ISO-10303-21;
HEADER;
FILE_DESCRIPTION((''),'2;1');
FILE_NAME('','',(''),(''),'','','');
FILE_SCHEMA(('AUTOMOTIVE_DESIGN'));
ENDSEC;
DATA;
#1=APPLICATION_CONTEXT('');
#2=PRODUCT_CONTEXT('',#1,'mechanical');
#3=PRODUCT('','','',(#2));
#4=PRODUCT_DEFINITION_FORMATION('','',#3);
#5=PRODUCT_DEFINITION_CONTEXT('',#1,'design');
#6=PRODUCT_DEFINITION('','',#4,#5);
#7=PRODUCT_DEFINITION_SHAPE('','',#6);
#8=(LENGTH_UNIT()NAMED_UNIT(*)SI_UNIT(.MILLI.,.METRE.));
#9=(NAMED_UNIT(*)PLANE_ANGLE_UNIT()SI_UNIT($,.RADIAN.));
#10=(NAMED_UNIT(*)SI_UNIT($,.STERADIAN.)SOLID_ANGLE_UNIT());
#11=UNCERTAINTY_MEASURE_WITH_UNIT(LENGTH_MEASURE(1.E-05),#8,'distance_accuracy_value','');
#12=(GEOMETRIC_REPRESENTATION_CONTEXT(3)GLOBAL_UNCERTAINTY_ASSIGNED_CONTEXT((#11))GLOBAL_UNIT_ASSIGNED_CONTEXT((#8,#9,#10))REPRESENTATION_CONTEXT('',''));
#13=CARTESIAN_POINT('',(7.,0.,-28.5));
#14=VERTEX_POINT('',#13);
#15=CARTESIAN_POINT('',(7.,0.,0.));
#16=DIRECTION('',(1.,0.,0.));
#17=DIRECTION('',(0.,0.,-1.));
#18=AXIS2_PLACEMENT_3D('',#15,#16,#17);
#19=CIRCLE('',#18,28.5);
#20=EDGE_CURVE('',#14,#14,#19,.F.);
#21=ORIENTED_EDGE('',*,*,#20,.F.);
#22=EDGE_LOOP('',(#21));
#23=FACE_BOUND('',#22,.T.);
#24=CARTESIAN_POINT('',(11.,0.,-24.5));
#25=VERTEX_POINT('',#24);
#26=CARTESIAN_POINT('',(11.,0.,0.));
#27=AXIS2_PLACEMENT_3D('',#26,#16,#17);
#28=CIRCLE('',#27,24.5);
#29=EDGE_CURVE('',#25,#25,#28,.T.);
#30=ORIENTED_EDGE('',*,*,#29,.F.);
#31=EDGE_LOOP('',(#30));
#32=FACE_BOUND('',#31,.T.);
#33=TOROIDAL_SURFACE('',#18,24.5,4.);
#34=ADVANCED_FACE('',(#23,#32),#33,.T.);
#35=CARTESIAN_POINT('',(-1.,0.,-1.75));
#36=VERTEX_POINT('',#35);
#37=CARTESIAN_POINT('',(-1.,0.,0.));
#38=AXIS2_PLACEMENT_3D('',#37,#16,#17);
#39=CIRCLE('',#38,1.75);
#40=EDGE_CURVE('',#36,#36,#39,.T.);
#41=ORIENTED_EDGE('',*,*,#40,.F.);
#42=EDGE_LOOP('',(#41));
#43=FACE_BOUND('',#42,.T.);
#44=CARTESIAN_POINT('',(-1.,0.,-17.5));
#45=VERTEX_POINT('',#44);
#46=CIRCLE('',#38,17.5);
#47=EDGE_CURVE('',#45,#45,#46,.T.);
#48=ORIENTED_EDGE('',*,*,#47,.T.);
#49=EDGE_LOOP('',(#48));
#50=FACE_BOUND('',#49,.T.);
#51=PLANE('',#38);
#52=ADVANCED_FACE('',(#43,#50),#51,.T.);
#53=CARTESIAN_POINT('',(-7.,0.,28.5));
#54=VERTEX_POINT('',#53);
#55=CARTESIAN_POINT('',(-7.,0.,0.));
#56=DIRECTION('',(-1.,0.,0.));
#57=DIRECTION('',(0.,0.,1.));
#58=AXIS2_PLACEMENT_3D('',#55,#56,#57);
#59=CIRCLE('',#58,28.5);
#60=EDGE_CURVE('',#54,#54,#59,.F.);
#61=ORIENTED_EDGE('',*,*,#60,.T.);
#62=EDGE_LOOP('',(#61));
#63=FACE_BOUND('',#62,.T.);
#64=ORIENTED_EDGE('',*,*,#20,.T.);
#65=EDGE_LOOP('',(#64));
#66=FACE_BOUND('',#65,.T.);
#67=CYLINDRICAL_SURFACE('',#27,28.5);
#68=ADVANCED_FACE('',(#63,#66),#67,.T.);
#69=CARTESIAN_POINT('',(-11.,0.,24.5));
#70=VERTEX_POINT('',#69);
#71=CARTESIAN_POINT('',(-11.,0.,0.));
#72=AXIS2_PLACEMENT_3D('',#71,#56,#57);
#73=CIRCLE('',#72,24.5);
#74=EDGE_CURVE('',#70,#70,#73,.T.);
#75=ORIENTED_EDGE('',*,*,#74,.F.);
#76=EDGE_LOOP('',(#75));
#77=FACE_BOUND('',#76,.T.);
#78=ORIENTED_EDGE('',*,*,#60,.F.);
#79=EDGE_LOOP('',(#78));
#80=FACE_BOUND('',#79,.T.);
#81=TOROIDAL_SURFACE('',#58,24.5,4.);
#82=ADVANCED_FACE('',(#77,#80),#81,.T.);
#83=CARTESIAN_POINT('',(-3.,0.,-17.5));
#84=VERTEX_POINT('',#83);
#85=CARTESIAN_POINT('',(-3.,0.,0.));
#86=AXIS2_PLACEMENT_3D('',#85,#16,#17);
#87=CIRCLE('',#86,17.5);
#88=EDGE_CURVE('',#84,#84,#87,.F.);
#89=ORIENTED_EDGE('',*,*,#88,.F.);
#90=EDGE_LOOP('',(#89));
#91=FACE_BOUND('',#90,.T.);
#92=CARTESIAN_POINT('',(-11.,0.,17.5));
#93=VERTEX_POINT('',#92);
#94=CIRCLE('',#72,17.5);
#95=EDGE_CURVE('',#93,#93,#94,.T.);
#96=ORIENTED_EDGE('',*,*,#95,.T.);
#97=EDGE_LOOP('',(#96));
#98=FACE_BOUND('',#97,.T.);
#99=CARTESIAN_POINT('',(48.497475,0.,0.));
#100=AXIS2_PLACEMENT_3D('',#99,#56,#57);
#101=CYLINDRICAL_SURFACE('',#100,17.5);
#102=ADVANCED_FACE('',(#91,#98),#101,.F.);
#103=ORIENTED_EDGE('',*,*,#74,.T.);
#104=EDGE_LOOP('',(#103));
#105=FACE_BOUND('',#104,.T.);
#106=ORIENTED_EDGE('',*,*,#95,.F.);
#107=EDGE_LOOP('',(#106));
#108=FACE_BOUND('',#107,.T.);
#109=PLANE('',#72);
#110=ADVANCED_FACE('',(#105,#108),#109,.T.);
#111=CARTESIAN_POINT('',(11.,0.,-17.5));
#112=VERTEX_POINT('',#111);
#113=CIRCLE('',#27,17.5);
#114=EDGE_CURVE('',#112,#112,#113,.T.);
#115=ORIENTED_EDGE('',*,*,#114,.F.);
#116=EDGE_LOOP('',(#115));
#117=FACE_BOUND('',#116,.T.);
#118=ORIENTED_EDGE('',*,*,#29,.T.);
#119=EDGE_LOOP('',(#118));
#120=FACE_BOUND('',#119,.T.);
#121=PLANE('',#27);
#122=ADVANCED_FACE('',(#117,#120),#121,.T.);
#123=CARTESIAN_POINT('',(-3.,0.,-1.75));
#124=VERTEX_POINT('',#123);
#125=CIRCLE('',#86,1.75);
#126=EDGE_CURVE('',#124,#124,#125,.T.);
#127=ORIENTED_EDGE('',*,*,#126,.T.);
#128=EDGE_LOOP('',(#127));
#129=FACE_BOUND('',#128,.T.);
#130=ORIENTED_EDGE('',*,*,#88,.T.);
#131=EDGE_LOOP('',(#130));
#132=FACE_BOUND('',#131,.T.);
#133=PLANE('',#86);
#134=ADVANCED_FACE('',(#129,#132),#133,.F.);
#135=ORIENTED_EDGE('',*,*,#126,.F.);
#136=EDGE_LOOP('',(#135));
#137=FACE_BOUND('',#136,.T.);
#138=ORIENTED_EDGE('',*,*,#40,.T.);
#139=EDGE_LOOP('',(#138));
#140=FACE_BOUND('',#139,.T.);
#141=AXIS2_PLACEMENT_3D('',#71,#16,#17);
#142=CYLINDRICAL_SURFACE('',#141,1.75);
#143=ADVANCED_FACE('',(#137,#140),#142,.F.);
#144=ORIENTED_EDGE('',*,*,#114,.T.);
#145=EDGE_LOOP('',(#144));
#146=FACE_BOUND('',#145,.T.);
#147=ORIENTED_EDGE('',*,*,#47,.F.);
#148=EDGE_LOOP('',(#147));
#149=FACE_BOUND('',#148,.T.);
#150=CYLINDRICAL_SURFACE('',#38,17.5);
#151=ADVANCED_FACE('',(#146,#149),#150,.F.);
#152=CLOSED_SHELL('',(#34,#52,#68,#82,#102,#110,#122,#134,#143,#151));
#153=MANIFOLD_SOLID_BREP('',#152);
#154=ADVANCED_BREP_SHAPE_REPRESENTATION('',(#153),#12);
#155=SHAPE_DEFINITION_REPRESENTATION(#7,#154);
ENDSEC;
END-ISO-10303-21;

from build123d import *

# Parameters (mm, degrees)
SKETCH1_W          = 22
SKETCH1_H          = 28.5
FILLET1_R          = 4
SKETCH2_R          = 17.5
CUT_EXTRUDE1_DEPTH = 12
SKETCH3_R          = 17.5
CUT_EXTRUDE2_DEPTH = 8
SKETCH4_R          = 1.75
CUT_EXTRUDE3_DEPTH = 11


with BuildPart() as part:
    # Sketch1 → Revolve1 (revolve)
    with BuildSketch(Plane(origin=(0, 0, 0), x_dir=(1, 0, 0), z_dir=(0, 1, 0))):
        with Locations((0, 14.25)):
            Rectangle(SKETCH1_W, SKETCH1_H)
    revolve(axis=Axis((11, 0, 0), (-1, 0, 0)))

    # Fillet1
    fillet1_edges = [part.edges().sort_by_distance(p)[0] for p in [
        (11, 0, 28.5),
        (-11, 0, 28.5),
    ]]
    fillet(fillet1_edges, radius=FILLET1_R)

    # Sketch2 → Cut-Extrude1 (cut)
    with BuildSketch(Plane(origin=(11, 0, 0), x_dir=(0, 0, -1), z_dir=(1, 0, 0))):
        Circle(SKETCH2_R)
    extrude(amount=-CUT_EXTRUDE1_DEPTH, mode=Mode.SUBTRACT)

    # Sketch3 → Cut-Extrude2 (cut)
    with BuildSketch(Plane.ZY.offset(11)):
        Circle(SKETCH3_R)
    extrude(amount=-CUT_EXTRUDE2_DEPTH, mode=Mode.SUBTRACT)

    # Sketch4 → Cut-Extrude3 (cut, through all)
    with BuildSketch(Plane(origin=(-1, 0, 0), x_dir=(0, 0, -1), z_dir=(1, 0, 0))):
        Circle(SKETCH4_R)
    extrude(amount=-CUT_EXTRUDE3_DEPTH, mode=Mode.SUBTRACT)


solid = part.part
